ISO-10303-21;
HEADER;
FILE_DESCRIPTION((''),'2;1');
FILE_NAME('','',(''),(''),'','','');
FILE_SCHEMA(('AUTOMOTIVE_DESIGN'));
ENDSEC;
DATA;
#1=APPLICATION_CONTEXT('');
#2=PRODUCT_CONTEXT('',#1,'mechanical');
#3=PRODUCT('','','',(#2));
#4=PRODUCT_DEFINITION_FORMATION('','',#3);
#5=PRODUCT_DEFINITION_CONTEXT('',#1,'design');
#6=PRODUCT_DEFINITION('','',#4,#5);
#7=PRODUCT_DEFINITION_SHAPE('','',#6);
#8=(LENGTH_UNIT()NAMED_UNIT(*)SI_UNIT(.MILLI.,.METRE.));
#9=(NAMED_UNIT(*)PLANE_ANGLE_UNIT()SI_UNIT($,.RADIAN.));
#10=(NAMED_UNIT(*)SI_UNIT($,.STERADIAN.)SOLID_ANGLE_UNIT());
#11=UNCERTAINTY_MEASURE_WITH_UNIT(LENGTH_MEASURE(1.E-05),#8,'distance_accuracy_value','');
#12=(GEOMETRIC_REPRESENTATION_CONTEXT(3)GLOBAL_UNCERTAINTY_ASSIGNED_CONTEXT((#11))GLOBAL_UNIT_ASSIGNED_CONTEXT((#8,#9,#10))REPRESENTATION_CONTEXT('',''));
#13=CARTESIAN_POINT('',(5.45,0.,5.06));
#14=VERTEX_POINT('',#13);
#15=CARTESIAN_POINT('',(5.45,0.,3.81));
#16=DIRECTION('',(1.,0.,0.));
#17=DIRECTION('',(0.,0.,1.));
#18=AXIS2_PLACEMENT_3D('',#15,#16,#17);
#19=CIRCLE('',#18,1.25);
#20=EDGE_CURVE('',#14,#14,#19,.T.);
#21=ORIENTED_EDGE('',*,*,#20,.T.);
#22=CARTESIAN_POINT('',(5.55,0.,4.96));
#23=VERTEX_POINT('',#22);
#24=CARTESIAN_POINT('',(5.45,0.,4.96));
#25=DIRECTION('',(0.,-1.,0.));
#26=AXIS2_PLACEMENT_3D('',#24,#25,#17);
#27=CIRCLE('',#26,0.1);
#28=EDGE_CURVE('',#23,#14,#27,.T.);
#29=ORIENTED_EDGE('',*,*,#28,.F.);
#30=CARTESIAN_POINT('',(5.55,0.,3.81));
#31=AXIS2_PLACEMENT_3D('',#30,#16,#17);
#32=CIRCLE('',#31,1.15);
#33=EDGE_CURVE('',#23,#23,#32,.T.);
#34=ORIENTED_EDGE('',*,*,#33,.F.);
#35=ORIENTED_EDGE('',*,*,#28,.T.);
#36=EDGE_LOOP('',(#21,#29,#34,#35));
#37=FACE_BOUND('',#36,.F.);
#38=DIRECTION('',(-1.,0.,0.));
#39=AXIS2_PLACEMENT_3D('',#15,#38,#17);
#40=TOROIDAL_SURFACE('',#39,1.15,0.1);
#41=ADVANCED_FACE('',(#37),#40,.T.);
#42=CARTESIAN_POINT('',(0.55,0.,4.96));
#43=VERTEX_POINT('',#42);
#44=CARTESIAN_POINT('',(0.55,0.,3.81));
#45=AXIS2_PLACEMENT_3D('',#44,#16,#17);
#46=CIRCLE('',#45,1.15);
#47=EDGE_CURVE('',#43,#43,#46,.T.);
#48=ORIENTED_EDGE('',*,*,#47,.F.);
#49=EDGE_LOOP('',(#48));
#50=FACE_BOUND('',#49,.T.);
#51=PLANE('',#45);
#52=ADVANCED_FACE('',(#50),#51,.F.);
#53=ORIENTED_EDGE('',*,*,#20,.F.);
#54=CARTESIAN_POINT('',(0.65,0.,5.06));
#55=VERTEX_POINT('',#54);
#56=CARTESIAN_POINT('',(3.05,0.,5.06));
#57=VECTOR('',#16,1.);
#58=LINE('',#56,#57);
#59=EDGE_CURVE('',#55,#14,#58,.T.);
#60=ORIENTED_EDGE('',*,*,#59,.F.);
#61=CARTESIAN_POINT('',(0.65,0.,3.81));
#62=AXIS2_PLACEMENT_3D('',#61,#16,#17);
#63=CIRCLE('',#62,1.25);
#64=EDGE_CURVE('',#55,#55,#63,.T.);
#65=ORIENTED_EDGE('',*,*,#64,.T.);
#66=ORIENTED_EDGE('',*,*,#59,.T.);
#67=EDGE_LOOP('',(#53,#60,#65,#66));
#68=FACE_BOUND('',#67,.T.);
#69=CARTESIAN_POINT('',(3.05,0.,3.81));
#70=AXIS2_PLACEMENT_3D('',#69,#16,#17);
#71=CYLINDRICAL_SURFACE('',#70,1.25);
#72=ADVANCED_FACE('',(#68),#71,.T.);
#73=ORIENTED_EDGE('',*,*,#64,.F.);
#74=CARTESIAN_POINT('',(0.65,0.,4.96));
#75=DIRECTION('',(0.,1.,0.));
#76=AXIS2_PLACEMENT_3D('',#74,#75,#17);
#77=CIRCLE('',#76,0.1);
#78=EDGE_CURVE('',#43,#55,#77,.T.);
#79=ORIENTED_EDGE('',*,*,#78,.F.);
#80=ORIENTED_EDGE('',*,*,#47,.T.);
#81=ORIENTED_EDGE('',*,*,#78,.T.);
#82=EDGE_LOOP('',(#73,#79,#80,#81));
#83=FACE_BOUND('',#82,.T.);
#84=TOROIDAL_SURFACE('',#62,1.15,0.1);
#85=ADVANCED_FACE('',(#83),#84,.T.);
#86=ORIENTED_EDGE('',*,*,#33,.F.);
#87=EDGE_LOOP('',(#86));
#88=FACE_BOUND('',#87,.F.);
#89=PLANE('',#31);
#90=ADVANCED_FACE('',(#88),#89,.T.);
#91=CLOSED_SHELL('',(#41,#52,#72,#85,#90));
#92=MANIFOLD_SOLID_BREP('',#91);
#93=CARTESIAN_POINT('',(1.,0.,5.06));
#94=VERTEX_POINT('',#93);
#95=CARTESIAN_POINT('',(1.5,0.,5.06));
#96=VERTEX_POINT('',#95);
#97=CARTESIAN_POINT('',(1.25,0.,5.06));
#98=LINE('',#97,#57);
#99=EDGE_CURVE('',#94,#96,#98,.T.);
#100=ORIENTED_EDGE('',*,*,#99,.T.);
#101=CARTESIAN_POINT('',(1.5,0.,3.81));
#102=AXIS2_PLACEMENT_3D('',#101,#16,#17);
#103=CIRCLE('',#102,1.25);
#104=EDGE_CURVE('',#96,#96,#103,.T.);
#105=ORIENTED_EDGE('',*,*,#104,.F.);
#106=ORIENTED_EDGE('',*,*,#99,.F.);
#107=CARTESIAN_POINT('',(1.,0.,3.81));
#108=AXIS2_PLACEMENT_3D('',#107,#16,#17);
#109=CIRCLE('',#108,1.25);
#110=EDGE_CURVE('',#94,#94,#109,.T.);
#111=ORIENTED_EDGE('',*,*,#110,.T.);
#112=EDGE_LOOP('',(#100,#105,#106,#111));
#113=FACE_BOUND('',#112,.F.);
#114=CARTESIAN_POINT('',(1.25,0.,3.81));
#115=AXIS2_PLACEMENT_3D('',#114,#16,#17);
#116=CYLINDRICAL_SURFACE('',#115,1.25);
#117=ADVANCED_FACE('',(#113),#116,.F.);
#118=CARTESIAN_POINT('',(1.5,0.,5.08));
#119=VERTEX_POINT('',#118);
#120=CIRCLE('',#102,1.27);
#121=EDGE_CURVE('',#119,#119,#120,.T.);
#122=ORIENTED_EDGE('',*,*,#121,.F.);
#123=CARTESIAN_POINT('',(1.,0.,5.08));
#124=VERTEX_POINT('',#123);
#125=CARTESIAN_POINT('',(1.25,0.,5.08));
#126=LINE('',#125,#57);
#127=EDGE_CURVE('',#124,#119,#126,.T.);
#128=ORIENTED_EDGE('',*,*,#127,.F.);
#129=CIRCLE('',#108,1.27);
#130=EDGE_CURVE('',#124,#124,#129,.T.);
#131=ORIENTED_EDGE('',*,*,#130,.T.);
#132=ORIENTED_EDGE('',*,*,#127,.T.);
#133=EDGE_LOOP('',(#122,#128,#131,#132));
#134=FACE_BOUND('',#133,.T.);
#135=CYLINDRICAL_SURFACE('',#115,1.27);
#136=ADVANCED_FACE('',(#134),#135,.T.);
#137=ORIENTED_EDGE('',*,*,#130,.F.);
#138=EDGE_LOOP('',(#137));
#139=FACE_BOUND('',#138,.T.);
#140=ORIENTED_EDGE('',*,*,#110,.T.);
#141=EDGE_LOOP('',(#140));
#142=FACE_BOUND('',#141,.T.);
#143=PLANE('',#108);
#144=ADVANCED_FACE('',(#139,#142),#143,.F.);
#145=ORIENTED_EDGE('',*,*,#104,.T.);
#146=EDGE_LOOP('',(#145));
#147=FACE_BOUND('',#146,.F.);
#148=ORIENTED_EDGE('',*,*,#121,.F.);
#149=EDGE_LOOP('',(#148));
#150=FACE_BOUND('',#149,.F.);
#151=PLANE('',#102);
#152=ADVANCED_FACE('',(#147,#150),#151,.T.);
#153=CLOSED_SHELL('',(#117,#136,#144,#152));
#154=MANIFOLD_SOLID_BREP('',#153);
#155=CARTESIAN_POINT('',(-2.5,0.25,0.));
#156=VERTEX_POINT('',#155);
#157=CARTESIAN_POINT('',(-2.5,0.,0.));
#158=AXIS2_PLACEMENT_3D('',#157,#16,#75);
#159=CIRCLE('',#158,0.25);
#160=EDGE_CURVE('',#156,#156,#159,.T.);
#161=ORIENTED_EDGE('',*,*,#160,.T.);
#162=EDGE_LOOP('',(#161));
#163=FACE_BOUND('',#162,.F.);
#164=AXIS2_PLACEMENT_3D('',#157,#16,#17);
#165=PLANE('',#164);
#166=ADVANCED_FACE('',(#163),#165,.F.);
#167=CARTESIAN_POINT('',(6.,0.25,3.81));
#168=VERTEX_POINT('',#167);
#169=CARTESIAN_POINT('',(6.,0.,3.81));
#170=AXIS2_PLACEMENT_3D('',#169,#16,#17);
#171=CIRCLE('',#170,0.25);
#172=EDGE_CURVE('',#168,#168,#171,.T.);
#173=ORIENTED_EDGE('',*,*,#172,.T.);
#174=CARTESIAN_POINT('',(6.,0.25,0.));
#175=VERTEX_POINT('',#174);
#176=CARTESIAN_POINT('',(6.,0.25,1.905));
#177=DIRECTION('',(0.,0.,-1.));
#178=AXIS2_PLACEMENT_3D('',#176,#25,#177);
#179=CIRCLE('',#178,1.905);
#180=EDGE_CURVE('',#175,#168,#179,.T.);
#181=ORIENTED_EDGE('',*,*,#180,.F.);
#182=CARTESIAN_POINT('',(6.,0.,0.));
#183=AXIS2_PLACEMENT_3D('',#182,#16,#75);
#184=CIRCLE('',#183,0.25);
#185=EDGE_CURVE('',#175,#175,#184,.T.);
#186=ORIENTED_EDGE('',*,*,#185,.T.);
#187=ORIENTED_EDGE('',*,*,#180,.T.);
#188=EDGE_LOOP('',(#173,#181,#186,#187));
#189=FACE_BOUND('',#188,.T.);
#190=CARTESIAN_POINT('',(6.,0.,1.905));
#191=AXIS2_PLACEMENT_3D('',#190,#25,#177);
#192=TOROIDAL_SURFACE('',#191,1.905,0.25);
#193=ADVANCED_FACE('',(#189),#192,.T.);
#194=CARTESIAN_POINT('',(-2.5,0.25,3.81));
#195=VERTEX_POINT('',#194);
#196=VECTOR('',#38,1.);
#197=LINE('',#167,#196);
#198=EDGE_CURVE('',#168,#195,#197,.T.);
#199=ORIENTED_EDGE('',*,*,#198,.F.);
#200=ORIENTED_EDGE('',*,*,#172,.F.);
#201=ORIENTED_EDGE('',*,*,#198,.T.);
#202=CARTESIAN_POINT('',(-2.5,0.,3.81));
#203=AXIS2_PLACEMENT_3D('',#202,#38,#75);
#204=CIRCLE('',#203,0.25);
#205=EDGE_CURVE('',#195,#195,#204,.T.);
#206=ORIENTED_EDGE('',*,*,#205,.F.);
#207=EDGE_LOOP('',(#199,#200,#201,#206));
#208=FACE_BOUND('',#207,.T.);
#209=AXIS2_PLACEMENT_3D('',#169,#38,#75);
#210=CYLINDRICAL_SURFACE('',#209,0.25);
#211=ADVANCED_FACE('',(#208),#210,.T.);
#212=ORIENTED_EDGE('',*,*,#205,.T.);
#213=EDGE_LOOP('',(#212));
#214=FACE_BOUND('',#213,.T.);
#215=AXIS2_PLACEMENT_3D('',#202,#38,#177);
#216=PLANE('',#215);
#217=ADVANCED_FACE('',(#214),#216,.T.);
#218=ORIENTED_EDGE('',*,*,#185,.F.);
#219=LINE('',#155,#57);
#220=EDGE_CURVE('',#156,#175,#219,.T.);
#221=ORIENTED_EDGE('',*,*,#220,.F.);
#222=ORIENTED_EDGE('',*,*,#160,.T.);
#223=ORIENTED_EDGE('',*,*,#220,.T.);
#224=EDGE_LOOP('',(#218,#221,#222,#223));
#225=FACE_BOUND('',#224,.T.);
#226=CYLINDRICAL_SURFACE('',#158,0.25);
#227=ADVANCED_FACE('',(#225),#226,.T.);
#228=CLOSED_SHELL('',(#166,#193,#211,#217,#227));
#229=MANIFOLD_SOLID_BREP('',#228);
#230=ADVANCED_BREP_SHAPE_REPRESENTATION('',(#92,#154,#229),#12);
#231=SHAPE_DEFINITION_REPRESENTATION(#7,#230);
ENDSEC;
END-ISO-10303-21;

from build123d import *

# Parameters (mm, degrees)
SKETCH_R    = 0.25
SKETCH002_W = 5
SKETCH002_H = 1.25
FILLET_R    = 0.1
SKETCH003_W = 0.5
SKETCH003_H = 0.02


with BuildPart() as sweep_body:
    # Sweep: sweep along a path in Sketch001
    with BuildLine(Plane.XZ) as sweep_path:
        Line((-2.5, 0), (6, 0))
        ThreePointArc((6, 0), (7.905, 1.905), (6, 3.81))
        Line((6, 3.81), (-2.5, 3.81))
    # Sketch → Sweep (sweep)
    with BuildSketch(Plane.YZ.offset(-2.5)):
        Circle(SKETCH_R)
    sweep(path=sweep_path.line, is_frenet=True)


with BuildPart() as fillet_body:
    # Sketch002 → Revolution (revolve)
    with BuildSketch(Plane.XZ):
        with Locations((3.05, 4.435)):
            Rectangle(SKETCH002_W, SKETCH002_H)
    revolve(axis=Axis((0.55, 0, 3.81), (1, 0, 0)))

    # Fillet
    fillet_edges = [fillet_body.edges().sort_by_distance(p)[0] for p in [
        (0.55, 0, 2.56),
        (5.55, 0, 2.56),
    ]]
    fillet(fillet_edges, radius=FILLET_R)


with BuildPart() as revolution001:
    # Sketch003 → Revolution001 (revolve)
    with BuildSketch(Plane.XZ):
        with Locations((1.25, 5.07)):
            Rectangle(SKETCH003_W, SKETCH003_H)
    revolve(axis=Axis((0, 0, 3.81), (1, 0, 0)))


solid = Compound([sweep_body.part, fillet_body.part, revolution001.part])
